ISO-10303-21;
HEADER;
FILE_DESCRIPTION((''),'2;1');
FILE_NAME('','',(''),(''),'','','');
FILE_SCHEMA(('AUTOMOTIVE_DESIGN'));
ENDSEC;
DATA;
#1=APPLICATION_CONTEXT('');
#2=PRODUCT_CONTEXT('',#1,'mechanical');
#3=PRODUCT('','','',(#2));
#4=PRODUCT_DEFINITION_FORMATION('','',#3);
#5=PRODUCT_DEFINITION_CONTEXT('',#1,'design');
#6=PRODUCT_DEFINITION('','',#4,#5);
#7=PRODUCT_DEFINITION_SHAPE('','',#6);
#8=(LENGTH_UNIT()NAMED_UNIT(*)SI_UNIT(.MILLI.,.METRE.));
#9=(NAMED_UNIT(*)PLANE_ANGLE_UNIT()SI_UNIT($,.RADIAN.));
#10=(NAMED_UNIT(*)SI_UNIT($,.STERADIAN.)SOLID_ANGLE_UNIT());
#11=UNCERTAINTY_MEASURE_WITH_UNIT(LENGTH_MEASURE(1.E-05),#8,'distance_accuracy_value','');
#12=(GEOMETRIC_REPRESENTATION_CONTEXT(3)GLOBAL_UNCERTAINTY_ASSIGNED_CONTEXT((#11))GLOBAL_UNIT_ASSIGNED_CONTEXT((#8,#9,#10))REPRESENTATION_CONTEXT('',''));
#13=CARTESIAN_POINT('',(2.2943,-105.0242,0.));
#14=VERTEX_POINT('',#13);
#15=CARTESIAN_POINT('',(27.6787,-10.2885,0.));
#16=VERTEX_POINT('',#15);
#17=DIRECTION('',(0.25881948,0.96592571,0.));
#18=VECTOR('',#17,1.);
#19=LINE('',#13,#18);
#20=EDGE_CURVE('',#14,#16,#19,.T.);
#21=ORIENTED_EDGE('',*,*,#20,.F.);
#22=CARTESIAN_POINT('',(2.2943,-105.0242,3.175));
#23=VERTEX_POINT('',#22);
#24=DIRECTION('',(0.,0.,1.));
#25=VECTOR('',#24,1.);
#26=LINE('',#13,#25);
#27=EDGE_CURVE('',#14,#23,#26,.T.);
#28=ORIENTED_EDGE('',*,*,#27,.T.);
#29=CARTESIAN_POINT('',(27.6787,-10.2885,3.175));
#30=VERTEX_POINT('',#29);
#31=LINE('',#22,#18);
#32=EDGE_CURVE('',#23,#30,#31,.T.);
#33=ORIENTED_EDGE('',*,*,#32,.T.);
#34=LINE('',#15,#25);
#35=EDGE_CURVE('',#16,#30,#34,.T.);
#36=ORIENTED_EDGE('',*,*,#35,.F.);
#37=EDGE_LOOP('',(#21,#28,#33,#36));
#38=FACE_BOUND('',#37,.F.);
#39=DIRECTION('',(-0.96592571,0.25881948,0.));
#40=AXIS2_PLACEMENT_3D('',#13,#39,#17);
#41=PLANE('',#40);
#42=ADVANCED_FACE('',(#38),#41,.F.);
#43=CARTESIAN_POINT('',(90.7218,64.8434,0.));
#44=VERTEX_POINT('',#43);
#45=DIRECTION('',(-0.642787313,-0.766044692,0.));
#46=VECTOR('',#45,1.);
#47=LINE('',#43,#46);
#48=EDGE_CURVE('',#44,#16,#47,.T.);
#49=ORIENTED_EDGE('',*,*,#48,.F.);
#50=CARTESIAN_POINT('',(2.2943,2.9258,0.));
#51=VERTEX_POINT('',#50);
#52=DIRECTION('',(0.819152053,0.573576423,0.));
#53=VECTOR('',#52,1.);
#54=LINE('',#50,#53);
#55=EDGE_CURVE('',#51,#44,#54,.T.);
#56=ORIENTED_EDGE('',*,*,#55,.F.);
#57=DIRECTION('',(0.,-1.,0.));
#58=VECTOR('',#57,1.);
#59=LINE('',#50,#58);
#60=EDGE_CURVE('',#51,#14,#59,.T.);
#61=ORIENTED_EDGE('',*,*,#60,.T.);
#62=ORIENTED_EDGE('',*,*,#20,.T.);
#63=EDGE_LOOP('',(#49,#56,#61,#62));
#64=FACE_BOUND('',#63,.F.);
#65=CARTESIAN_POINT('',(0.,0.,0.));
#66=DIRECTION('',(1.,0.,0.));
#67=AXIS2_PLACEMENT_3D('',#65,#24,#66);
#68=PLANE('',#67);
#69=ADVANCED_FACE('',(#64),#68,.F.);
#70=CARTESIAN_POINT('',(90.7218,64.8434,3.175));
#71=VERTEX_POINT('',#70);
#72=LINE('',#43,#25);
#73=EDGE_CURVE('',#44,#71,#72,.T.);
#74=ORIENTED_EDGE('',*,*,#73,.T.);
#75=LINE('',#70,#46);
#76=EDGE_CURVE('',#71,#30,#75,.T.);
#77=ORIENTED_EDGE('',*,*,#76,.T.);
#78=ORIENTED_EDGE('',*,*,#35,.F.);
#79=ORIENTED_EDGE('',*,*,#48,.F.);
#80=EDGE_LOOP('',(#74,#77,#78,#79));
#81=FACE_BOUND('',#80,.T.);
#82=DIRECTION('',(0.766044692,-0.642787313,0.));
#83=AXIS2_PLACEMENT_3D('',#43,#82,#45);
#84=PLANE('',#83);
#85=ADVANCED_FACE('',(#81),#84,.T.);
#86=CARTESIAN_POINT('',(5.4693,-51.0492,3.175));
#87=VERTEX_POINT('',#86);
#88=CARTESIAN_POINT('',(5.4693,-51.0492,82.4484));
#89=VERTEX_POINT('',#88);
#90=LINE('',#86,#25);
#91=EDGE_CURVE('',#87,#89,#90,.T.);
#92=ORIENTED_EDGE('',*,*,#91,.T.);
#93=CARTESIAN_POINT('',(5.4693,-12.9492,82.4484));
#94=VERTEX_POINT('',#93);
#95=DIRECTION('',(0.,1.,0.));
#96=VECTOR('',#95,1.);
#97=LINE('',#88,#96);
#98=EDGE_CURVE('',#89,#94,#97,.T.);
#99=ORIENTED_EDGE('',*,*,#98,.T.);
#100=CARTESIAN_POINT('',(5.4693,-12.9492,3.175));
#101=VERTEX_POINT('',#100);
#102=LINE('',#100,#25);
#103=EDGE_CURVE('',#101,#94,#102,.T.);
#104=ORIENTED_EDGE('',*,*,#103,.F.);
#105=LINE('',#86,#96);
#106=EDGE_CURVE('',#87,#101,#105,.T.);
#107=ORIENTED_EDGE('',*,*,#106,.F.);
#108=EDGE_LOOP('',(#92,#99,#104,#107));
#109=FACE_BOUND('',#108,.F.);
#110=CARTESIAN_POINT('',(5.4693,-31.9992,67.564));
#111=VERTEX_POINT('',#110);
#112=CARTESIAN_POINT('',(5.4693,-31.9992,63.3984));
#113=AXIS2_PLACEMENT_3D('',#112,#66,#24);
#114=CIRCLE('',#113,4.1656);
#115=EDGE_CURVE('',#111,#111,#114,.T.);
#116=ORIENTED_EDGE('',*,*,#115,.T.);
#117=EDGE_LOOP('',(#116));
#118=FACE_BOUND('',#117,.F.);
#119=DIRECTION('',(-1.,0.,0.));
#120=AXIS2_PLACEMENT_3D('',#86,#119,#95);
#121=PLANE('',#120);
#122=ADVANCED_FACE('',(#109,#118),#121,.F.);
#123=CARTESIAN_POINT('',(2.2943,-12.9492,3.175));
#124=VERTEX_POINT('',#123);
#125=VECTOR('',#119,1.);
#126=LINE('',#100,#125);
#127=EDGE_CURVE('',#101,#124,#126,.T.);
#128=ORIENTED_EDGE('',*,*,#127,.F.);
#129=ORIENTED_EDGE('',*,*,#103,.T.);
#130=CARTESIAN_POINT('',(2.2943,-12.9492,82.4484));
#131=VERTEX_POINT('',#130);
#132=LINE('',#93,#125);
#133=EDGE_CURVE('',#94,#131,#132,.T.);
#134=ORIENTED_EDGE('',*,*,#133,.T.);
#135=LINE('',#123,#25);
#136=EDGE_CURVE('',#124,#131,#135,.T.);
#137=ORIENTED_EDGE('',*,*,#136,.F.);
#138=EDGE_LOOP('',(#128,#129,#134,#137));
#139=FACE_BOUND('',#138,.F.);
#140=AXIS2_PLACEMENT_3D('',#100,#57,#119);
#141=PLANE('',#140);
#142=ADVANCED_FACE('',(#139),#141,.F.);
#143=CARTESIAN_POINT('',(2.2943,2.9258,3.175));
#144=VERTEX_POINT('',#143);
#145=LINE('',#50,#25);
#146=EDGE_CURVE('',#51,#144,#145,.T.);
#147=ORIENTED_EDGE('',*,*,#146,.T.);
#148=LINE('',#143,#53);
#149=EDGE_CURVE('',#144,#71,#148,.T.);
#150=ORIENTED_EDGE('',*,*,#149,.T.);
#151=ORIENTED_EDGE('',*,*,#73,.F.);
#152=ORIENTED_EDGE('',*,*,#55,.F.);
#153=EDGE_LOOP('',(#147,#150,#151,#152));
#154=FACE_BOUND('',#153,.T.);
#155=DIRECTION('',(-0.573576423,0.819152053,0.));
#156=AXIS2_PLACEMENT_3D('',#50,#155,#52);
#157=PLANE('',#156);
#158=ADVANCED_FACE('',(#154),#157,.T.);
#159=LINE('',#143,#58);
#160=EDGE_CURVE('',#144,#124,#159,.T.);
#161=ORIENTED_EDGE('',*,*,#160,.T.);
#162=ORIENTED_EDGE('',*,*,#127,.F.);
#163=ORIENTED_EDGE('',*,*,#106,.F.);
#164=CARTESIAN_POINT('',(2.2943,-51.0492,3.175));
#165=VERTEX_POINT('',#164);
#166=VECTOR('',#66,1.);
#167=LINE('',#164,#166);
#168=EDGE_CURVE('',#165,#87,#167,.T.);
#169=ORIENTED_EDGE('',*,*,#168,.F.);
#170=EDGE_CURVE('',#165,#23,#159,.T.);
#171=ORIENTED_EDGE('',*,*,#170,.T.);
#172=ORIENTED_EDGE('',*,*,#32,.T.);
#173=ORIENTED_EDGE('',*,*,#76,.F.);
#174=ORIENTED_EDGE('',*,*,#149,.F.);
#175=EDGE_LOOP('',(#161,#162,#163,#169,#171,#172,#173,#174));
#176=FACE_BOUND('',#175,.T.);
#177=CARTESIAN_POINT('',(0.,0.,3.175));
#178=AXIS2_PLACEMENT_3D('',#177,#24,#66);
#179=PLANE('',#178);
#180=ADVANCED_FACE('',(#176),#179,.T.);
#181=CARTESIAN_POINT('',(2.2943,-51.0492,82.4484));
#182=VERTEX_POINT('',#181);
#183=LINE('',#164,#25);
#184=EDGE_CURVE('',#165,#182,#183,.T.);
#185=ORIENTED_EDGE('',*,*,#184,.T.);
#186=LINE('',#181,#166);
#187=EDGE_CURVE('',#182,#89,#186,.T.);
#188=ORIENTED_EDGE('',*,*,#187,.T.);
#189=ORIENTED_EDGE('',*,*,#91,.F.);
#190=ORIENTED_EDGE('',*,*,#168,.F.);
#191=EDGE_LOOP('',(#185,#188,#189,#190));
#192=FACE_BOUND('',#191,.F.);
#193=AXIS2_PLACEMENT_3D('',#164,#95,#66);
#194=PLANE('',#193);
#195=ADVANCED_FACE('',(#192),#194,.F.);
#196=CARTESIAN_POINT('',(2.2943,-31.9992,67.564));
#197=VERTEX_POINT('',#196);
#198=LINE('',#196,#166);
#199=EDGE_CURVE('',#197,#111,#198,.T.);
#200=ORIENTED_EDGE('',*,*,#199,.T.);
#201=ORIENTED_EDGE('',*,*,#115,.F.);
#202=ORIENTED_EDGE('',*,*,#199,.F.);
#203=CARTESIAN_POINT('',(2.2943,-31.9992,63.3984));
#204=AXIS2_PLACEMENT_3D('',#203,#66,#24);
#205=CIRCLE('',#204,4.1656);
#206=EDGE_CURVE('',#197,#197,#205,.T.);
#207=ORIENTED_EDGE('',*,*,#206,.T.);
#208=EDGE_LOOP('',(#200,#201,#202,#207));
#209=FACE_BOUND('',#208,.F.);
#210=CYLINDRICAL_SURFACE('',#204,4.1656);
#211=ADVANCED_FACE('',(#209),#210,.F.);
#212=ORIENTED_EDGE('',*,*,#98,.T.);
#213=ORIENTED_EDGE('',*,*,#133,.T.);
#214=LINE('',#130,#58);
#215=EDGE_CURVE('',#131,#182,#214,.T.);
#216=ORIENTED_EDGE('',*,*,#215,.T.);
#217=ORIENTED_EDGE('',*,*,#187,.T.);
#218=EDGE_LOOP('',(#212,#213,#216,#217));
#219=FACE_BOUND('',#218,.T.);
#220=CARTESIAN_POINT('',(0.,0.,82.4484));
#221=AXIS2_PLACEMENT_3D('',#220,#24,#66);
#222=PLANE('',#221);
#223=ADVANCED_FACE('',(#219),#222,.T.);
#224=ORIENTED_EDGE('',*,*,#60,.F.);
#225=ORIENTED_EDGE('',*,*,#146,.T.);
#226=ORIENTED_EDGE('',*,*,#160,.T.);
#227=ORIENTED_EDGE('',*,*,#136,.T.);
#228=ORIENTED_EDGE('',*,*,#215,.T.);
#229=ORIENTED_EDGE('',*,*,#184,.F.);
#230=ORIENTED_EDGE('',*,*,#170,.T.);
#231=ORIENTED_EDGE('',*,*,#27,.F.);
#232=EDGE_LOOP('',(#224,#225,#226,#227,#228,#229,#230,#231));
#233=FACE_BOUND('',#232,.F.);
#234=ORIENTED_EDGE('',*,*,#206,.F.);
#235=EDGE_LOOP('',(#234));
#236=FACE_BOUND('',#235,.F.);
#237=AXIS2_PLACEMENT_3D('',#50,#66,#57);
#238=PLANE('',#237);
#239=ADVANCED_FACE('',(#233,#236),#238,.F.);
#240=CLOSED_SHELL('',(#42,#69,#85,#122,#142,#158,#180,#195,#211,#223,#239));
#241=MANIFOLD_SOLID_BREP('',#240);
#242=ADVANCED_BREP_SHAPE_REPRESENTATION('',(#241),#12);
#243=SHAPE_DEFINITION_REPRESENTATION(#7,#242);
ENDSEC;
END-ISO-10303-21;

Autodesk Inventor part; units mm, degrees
ref_plane "YZ Plane" through (0, 0, 0) normal (1, 0, 0) x (0, 1, 0)
ref_plane "XZ Plane" through (0, 0, 0) normal (0, 1, 0) x (-1, 0, 0)
ref_plane "XY Plane" through (0, 0, 0) normal (0, 0, 1) x (1, 0, 0)
sketch "Sketch1" plane through (0, 0, 0) normal (0, 0, 1) x (1, 0, 0)
  line L0 (2.2943, 2.9258) -> (2.2943, -105.0242)
  line L1 (2.2943, 2.9258) -> (90.7218, 64.8434)
  line L2 (90.7218, 64.8434) -> (27.6787, -10.2885)
  line L3 (2.2943, -105.0242) -> (27.6787, -10.2885)
  point P0 (0, 0)
  dimension "d0" = 107.95
  dimension "d1" = 107.95
extrude "Extrusion1" add sketch "Sketch1" along normal blind 3.175
sketch "Sketch2" plane through (0, 0, 3.175) normal (0, 0, 1) x (1, 0, 0)
  line L0 (2.2943, -51.0492) -> (5.4693, -51.0492)
  line L1 (5.4693, -51.0492) -> (5.4693, -12.9492)
  line L2 (5.4693, -12.9492) -> (2.2943, -12.9492)
  line L3 (2.2943, -12.9492) -> (2.2943, -51.0492)
  point P0 (0, 0)
  dimension "d8" = 3.175
  dimension "d9" = 38.1
extrude "Extrusion2" add sketch "Sketch2" along normal blind 79.2734
sketch "Sketch3" plane through (2.2943, -105.0242, 0) normal (-1, 0, 0) x (0, 0, 1)
  line L0 (82.4484, 92.075) -> (63.3984, 92.075)
  line L1 (63.3984, 92.075) -> (63.3984, 73.025)
  line L2 (63.3984, 73.025) -> (82.4484, 73.025)
  line L3 (82.4484, 73.025) -> (82.4484, 92.075)
  point P0 (0, 105.0242)
  dimension "d12" = 19.05
  dimension "d13" = 19.05
hole "Hole1" at (2.2943, -31.9992, 63.3984) direction (1, 0, 0) diameter 8.3312 end through all
properties part number "Right Hip"
